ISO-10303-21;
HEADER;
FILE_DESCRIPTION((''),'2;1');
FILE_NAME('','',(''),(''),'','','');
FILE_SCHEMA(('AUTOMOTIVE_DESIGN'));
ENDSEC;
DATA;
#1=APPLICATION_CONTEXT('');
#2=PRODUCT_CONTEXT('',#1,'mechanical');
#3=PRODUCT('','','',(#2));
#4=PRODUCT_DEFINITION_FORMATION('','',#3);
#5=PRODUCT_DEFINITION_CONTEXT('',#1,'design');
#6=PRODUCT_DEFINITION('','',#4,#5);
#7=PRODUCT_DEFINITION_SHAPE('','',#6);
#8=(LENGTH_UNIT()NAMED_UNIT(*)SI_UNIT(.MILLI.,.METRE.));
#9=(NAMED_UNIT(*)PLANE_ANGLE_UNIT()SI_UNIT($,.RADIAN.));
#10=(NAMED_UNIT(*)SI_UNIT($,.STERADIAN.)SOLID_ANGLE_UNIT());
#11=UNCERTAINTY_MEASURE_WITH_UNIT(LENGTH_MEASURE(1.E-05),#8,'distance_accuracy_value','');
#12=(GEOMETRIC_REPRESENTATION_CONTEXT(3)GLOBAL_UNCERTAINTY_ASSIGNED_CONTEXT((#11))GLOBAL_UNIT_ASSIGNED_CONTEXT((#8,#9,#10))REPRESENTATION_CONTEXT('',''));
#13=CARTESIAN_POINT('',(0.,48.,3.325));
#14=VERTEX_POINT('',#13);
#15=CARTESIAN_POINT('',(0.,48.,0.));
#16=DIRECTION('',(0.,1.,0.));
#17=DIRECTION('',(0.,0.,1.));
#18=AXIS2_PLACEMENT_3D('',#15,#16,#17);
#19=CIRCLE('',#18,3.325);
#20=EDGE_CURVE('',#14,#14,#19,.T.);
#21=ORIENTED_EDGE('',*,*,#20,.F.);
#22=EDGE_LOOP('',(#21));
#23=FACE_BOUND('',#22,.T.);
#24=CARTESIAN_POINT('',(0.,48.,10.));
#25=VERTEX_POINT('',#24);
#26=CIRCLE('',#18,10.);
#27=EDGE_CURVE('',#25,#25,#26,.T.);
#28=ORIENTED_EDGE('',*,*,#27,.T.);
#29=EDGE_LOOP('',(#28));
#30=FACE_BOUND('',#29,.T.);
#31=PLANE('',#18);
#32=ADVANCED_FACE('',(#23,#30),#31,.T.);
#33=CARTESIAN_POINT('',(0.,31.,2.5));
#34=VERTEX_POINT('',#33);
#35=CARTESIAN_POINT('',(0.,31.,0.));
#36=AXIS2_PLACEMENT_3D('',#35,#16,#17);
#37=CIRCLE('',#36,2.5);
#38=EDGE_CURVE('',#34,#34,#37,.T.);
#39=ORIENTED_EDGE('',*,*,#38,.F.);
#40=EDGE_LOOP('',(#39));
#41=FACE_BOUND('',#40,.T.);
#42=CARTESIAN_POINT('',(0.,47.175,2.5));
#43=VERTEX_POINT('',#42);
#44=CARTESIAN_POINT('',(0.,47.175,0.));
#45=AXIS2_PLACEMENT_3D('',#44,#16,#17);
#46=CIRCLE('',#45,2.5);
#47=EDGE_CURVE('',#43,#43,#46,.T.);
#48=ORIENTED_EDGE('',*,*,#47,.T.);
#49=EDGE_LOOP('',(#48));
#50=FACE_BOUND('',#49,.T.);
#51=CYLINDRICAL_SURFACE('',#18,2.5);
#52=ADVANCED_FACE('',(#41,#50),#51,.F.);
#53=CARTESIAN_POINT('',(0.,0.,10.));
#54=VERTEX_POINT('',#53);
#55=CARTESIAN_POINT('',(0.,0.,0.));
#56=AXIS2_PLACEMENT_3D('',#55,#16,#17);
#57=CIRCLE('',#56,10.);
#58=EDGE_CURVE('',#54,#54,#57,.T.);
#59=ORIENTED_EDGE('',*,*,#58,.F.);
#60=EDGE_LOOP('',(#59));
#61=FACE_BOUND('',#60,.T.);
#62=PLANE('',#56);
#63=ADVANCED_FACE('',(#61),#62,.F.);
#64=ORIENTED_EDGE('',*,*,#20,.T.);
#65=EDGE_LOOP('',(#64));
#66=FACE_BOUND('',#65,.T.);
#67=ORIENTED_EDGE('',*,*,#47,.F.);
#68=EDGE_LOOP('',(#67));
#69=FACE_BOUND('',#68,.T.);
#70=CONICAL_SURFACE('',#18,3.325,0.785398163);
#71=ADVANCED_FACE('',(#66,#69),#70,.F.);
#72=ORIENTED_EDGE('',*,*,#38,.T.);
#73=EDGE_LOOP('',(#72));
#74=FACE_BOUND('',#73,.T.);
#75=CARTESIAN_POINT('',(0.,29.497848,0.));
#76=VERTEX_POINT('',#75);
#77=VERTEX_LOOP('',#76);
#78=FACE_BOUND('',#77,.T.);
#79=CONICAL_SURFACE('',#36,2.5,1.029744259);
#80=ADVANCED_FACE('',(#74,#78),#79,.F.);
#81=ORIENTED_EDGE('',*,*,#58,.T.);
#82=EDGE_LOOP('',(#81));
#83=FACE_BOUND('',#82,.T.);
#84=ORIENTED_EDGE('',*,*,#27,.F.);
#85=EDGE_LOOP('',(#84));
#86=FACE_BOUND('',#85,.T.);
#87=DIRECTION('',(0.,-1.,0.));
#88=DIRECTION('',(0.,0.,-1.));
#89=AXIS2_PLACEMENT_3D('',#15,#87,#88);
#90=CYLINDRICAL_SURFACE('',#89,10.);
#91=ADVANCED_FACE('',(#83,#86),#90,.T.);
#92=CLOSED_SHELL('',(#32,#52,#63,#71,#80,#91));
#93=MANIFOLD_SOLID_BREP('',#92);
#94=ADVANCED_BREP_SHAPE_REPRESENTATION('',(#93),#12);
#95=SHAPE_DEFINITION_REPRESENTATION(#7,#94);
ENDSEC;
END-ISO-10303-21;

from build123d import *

# Parameters (mm, degrees)
SKETCH_1_R                   = 10
EXTRUDE_1_DEPTH              = 48
HOLE_WIZARD_M6_1_D           = 5
HOLE_WIZARD_M6_1_DEPTH       = 17
HOLE_WIZARD_M6_1_CSINK_D     = 6.65
HOLE_WIZARD_M6_1_CSINK_ANGLE = 90
HOLE_WIZARD_M6_1_TIP         = 1.502151548


with BuildPart() as part:
    # 草图1 → 凸台-拉伸1 (new body)
    with BuildSketch(Plane(origin=(0, 0, 0), x_dir=(1, 0, 0), z_dir=(0, 1, 0))):
        Circle(SKETCH_1_R)
    extrude(amount=EXTRUDE_1_DEPTH)

    # M6 螺纹孔1
    with Locations(Plane.ZX.offset(48)):
        with Locations((0, 0)):
            CounterSinkHole(HOLE_WIZARD_M6_1_D / 2, HOLE_WIZARD_M6_1_CSINK_D / 2, depth=HOLE_WIZARD_M6_1_DEPTH, counter_sink_angle=HOLE_WIZARD_M6_1_CSINK_ANGLE)
            with Locations((0, 0, -(HOLE_WIZARD_M6_1_DEPTH + HOLE_WIZARD_M6_1_TIP / 2))):  # 118° drill point
                Cone(0, HOLE_WIZARD_M6_1_D / 2, HOLE_WIZARD_M6_1_TIP, mode=Mode.SUBTRACT)


solid = part.part
